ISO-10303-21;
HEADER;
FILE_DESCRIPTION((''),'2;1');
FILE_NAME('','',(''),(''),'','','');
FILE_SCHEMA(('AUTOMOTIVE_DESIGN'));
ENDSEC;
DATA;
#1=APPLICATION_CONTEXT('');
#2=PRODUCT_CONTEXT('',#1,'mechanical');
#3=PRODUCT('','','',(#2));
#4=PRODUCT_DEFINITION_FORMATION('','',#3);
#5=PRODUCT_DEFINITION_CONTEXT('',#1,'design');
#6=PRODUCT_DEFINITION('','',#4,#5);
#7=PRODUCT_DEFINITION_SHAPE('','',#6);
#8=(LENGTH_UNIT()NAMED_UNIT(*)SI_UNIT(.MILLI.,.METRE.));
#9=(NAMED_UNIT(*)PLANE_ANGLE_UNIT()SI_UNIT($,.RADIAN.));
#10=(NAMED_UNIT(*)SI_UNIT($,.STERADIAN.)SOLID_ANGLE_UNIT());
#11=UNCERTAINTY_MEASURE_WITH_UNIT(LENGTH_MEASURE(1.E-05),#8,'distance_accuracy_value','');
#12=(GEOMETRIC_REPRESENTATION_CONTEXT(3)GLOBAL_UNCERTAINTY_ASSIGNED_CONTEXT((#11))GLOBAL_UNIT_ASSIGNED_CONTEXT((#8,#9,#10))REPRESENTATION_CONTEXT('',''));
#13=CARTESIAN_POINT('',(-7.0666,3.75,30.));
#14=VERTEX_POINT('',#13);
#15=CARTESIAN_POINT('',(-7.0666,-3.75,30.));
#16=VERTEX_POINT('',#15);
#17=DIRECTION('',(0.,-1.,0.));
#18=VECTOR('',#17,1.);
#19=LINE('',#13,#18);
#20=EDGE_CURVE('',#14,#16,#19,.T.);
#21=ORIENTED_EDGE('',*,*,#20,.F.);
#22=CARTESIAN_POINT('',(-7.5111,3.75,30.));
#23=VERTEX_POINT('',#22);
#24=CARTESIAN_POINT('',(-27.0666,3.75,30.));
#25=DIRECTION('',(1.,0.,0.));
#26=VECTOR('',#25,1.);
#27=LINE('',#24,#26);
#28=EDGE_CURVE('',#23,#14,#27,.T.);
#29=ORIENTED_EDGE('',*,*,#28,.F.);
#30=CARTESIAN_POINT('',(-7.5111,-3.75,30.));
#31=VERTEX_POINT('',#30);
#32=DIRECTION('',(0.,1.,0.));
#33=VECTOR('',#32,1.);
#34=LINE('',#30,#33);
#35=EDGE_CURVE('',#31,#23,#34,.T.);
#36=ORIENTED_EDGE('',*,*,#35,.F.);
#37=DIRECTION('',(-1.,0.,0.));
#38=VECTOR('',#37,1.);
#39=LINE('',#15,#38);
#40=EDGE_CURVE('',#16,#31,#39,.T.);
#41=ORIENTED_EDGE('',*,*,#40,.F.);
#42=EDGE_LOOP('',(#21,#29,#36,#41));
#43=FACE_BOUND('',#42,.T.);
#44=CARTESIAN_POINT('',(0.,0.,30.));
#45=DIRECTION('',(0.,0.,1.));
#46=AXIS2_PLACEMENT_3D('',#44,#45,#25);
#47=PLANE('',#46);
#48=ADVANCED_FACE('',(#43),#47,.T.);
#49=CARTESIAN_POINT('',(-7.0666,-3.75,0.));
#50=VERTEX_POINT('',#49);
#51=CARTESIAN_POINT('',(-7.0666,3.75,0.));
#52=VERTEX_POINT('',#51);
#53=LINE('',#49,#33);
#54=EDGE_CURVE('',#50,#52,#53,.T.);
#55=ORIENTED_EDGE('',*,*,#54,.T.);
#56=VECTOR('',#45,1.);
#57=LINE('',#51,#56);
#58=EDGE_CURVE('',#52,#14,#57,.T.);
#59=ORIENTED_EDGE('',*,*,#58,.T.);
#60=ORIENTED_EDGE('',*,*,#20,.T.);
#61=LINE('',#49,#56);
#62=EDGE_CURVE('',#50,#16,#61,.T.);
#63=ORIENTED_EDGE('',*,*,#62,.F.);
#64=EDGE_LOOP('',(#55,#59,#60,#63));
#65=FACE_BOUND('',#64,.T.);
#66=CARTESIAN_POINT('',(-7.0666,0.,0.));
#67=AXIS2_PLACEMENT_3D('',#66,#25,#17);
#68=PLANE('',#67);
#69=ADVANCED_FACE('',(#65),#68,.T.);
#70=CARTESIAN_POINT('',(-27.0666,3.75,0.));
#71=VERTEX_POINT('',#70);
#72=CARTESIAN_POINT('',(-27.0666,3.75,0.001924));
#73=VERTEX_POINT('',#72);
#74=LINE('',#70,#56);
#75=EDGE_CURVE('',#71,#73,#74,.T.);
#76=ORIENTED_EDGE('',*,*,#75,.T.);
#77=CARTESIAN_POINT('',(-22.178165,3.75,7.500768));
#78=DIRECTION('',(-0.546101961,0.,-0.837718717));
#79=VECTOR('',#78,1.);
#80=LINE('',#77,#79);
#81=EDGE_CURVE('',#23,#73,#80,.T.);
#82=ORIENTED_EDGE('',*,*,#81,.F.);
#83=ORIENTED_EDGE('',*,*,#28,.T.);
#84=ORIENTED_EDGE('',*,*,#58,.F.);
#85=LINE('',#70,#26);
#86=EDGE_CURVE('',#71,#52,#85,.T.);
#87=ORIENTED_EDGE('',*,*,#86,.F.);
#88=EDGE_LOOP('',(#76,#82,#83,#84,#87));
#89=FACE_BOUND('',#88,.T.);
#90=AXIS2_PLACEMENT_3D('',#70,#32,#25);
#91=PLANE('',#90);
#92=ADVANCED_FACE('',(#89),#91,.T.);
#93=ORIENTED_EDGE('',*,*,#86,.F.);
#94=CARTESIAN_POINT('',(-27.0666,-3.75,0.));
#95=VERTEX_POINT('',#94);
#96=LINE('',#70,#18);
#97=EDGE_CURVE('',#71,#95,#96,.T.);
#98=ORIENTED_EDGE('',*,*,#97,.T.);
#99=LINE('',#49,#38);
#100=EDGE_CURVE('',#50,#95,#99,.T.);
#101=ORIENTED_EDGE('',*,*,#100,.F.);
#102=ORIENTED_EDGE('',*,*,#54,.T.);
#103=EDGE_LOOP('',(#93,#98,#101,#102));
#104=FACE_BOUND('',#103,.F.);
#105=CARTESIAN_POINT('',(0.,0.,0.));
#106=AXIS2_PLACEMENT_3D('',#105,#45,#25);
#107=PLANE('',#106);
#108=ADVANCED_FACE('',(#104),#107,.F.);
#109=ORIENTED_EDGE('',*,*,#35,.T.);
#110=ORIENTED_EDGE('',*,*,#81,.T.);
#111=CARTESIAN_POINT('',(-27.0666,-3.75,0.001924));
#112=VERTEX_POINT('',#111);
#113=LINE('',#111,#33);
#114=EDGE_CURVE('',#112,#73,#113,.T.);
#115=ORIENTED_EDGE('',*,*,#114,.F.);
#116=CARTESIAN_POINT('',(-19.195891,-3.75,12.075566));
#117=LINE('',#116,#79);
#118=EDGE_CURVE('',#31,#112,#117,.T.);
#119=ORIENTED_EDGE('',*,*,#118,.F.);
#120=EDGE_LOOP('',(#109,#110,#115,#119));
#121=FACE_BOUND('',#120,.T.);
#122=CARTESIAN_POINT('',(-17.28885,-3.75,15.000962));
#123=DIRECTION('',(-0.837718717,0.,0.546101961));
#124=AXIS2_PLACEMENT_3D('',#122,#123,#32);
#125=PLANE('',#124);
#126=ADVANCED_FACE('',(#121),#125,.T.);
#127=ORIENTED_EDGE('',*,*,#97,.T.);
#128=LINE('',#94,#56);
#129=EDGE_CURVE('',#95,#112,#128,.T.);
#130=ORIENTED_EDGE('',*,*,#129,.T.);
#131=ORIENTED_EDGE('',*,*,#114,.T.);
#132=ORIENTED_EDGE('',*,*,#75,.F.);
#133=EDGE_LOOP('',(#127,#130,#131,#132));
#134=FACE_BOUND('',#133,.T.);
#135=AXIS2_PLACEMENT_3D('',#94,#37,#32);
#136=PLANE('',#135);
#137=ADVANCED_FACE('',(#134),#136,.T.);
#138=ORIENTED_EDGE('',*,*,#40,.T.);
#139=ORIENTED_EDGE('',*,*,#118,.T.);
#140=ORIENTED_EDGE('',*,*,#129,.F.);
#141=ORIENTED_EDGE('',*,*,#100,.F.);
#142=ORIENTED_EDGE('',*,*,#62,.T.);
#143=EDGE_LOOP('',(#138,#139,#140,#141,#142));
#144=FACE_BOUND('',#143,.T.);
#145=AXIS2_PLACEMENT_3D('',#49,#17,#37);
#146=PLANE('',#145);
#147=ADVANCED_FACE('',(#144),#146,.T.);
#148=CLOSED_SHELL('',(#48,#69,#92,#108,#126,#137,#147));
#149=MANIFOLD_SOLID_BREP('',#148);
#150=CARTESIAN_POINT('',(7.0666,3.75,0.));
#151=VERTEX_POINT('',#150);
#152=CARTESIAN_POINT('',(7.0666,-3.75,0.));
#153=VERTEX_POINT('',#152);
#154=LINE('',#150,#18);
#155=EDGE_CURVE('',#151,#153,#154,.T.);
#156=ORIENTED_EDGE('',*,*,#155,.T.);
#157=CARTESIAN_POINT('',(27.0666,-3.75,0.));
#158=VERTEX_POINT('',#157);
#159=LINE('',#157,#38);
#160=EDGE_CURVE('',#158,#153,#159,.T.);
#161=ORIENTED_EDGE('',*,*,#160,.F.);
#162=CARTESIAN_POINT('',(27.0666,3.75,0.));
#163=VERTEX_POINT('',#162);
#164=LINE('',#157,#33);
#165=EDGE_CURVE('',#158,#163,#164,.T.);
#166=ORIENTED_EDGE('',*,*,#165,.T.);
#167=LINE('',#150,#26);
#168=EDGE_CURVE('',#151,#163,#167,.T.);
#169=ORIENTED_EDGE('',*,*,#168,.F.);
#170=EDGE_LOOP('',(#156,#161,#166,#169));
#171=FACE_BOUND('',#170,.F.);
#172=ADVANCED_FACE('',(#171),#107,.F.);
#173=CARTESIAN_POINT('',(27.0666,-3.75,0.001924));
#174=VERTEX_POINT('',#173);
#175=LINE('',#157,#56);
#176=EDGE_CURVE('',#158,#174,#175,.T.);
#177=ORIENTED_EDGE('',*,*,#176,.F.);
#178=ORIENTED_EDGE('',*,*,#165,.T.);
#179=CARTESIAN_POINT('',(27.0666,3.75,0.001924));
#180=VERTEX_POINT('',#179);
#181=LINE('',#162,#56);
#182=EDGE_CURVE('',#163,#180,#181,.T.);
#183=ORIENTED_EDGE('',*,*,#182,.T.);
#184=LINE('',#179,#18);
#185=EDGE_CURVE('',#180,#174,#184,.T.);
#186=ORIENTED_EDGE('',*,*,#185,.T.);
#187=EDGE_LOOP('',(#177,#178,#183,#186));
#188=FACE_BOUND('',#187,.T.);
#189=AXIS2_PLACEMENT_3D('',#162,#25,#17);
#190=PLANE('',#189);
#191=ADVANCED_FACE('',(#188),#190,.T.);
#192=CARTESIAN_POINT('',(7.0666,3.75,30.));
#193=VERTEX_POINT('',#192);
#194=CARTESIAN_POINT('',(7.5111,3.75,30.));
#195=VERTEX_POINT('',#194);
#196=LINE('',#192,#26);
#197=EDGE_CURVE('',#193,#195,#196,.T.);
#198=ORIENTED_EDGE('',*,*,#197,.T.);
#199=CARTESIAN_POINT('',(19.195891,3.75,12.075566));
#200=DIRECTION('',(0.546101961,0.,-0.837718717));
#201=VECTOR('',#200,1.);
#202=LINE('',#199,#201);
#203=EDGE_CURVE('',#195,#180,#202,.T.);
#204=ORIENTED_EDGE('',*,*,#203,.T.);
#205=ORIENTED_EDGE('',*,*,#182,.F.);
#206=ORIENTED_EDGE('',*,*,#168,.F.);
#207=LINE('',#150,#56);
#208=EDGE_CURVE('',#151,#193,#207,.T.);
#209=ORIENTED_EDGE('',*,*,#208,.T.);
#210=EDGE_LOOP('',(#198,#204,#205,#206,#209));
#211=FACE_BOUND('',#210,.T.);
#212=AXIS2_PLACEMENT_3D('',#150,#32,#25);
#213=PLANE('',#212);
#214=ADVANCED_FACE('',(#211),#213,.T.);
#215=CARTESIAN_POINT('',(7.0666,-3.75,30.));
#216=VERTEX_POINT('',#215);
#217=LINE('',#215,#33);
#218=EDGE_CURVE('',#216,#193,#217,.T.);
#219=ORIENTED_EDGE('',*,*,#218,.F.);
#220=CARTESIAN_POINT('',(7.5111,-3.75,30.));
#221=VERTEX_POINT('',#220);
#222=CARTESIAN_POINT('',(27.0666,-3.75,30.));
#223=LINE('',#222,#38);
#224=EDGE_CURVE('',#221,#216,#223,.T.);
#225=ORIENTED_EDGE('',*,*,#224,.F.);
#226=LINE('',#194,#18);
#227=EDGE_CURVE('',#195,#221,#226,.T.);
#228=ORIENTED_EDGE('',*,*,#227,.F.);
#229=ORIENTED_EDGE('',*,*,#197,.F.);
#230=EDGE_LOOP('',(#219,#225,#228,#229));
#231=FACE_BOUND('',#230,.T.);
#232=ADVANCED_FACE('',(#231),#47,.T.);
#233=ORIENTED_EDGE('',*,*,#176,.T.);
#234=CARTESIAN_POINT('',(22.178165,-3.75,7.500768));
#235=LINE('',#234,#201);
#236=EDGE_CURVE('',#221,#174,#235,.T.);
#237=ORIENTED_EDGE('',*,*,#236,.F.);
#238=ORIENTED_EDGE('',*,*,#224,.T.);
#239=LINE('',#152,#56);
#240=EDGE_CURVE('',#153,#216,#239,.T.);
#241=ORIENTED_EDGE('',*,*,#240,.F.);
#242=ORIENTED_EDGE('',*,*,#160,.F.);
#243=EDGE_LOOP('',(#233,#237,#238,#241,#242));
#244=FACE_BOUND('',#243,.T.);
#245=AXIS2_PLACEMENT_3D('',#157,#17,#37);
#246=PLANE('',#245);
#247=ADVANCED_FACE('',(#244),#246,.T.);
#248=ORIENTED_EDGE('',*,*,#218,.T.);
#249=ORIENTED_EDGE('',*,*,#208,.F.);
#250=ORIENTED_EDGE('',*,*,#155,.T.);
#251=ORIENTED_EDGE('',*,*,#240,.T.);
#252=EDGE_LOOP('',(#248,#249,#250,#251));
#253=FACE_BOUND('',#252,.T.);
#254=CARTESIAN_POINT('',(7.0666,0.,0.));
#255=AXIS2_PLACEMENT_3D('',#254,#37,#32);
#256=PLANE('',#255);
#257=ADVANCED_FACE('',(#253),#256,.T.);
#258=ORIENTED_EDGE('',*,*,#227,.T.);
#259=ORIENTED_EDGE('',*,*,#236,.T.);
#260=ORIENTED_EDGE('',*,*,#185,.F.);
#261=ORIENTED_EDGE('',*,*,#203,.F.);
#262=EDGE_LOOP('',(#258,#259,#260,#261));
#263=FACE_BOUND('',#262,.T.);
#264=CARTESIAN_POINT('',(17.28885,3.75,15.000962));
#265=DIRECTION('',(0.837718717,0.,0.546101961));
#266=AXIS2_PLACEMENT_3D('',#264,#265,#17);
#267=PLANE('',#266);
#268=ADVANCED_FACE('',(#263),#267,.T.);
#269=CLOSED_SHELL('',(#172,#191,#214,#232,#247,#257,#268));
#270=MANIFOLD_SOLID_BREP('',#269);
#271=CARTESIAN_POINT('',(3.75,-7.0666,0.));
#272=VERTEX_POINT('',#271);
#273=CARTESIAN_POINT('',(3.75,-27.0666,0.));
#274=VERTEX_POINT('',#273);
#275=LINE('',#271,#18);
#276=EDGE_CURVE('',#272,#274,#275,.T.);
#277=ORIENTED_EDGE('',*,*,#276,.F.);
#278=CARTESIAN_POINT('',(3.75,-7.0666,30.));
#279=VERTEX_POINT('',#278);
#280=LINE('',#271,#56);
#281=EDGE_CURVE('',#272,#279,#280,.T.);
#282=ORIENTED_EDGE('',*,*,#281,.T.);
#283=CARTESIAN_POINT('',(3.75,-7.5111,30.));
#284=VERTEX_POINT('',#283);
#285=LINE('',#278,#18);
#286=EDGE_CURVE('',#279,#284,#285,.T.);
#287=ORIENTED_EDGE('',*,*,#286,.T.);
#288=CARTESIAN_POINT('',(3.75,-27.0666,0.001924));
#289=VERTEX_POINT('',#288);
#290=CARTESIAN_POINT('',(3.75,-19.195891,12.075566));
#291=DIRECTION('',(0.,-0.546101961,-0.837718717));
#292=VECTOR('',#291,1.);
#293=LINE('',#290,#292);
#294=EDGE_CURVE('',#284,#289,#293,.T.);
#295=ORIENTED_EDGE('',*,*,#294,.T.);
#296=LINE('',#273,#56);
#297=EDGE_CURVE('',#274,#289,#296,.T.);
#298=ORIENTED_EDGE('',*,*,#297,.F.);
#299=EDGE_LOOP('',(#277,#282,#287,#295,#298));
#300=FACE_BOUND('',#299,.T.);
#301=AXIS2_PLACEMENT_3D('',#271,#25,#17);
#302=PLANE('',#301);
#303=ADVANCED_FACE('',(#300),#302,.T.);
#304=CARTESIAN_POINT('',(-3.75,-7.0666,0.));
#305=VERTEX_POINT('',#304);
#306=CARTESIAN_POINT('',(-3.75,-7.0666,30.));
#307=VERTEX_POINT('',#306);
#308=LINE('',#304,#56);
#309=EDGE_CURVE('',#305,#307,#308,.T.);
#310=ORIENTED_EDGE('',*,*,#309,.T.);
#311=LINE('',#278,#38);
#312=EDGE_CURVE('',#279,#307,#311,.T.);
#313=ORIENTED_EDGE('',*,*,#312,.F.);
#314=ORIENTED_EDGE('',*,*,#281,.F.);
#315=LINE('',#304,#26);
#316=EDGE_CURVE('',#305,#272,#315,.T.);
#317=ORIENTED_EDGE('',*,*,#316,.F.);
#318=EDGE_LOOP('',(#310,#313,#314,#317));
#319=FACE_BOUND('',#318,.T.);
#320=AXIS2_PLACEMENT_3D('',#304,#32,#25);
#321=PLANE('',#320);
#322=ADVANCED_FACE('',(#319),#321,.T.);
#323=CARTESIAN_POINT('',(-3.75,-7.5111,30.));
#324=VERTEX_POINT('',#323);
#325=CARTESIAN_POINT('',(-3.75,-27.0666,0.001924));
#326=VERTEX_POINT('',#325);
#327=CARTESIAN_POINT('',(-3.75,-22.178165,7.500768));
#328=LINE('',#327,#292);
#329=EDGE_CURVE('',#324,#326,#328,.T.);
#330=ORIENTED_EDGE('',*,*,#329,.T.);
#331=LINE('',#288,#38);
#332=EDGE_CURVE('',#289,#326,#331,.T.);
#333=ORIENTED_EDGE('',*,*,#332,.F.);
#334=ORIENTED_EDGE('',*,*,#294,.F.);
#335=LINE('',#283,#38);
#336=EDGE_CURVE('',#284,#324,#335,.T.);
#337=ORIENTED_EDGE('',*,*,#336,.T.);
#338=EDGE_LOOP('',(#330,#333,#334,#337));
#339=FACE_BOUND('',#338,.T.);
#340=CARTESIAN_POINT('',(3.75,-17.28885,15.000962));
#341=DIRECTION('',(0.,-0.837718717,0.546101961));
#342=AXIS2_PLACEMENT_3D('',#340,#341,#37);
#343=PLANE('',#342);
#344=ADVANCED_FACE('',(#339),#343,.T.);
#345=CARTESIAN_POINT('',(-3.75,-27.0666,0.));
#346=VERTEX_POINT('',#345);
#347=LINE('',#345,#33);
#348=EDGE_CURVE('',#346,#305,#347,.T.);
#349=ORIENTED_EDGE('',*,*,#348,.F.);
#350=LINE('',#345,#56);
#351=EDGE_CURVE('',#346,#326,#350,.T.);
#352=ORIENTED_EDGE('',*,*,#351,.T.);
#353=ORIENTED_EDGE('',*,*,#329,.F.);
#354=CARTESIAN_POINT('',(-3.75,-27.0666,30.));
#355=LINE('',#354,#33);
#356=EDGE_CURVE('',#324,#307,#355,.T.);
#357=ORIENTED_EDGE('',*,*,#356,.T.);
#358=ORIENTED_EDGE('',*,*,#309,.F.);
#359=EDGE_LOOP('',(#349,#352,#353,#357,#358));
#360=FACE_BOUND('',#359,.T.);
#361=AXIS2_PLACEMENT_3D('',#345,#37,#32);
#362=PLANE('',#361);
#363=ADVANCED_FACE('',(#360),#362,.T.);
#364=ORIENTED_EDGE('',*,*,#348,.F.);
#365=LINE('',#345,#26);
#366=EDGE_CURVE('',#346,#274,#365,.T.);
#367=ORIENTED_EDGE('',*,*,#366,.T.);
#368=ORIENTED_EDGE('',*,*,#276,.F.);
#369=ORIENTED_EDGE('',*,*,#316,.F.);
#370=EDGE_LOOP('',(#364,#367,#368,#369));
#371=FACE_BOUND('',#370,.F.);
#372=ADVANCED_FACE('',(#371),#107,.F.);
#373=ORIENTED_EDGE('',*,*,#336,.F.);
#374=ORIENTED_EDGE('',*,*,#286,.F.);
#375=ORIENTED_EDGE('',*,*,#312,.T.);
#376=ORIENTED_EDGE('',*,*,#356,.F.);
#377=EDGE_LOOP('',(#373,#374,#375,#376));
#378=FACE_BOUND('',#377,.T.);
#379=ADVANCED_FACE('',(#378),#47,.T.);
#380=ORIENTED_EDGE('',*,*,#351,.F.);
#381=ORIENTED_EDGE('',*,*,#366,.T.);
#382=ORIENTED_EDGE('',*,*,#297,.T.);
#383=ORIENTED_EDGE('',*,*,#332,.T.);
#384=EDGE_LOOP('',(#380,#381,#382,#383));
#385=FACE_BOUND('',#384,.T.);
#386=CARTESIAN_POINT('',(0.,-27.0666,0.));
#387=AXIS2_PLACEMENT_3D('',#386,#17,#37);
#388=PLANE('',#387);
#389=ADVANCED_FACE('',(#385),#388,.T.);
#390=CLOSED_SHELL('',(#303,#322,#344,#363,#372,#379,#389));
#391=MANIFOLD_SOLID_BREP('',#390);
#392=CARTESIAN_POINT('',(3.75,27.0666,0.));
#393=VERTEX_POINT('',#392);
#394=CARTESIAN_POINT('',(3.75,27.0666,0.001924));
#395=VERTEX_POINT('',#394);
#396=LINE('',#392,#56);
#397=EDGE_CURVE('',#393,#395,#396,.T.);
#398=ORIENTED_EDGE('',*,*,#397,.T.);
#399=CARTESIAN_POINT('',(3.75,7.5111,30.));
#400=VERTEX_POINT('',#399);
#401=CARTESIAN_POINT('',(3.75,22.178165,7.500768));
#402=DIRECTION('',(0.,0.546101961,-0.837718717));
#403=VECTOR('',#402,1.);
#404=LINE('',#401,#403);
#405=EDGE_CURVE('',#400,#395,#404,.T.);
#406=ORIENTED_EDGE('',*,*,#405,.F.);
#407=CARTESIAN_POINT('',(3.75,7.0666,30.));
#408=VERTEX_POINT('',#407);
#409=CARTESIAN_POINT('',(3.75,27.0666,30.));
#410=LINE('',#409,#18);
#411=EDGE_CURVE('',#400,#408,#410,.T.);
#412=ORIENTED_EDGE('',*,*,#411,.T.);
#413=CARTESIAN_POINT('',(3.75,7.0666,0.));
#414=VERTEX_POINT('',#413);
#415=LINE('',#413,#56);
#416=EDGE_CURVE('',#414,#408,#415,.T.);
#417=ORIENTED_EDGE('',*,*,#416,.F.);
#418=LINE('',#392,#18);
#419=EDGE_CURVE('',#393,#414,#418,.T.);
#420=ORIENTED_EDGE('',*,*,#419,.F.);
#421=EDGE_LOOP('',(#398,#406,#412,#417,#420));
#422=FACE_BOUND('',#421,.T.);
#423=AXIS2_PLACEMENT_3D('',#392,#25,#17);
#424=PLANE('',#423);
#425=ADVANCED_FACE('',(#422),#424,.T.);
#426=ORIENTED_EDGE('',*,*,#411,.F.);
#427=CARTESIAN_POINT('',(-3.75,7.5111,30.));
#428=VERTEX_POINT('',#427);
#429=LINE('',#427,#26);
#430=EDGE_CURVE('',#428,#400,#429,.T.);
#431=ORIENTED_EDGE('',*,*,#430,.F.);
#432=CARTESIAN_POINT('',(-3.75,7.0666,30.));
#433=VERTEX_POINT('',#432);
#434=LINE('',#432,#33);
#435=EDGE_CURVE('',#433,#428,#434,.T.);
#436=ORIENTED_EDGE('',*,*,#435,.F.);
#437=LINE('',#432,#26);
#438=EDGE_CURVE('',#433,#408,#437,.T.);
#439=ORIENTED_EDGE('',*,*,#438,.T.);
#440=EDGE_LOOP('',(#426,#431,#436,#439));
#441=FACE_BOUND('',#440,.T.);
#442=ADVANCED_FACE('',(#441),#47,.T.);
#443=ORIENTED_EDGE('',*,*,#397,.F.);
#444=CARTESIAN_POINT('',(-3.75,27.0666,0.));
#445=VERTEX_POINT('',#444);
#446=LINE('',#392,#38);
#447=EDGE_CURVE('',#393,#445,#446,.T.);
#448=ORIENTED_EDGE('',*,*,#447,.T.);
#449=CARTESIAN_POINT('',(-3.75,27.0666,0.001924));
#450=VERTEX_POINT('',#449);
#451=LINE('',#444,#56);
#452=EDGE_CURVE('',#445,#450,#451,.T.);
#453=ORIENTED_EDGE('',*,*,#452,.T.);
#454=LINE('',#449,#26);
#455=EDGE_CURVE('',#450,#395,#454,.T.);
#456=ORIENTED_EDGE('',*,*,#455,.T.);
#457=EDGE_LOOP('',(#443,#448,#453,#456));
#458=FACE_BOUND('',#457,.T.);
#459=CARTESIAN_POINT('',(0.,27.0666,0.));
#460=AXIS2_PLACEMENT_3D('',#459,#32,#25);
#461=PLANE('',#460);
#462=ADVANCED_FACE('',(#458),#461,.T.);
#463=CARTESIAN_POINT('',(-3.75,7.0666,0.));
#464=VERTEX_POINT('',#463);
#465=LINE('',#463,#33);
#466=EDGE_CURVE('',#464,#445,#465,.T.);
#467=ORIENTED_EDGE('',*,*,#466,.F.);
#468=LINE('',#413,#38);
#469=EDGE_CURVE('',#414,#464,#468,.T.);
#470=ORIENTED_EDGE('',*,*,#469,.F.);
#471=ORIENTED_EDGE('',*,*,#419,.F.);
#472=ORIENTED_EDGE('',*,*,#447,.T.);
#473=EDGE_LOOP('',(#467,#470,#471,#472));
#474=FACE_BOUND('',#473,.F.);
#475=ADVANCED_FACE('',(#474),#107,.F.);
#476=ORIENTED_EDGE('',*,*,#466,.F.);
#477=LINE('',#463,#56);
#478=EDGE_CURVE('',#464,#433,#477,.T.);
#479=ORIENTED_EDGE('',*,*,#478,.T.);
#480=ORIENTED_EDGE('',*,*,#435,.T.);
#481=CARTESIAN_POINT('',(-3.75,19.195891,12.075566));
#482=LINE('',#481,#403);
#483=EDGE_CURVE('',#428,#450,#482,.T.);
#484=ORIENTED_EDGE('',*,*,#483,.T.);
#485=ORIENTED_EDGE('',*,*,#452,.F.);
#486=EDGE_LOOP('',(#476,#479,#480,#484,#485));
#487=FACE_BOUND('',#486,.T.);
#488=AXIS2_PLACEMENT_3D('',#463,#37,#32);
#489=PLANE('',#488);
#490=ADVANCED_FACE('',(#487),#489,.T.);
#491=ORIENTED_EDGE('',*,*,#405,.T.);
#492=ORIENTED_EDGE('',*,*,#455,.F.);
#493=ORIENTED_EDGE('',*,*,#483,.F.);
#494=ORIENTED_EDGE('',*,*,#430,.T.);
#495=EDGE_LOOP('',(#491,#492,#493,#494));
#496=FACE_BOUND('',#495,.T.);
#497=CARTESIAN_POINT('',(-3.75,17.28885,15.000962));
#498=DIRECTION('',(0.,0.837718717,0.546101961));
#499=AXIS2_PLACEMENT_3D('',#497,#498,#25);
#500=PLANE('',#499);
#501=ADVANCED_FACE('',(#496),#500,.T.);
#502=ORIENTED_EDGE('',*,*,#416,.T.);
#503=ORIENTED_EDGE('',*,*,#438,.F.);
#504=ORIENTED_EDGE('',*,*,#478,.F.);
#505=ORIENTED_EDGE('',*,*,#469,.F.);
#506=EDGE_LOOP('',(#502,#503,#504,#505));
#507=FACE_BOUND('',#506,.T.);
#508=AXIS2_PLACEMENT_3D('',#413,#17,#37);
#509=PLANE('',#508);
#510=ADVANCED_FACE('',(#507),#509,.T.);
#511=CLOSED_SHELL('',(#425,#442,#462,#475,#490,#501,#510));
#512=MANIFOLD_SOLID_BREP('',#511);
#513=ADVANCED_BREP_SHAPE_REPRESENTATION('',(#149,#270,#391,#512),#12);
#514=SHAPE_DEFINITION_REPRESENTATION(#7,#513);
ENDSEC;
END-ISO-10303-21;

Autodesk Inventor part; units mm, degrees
ref_plane "YZ Plane" through (0, 0, 0) normal (1, 0, 0) x (0, 1, 0)
ref_plane "XZ Plane" through (0, 0, 0) normal (0, 1, 0) x (-1, 0, 0)
ref_plane "XY Plane" through (0, 0, 0) normal (0, 0, 1) x (1, 0, 0)
sketch "Sketch1" plane through (0, 0, 0) normal (0, 0, 1) x (1, 0, 0)
  line L0 (40, 40) -> (40, -40) projected
  line L1 (-40, 40) -> (40, 40) projected
  line L2 (-40, -40) -> (-40, 40) projected
  line L3 (40, -40) -> (-40, -40) projected
  circle A0 centre (35, 35) radius 1.65 projected
  circle A1 centre (35, -35) radius 1.65 projected
  circle A2 centre (-35, -35) radius 1.65 projected
  circle A3 centre (-35, 35) radius 1.65 projected
  line L4 (0, -56) -> (0, 56)
  circle A4 centre (0, 0) radius 8 projected
  line L5 (-3.75, 27.0666) -> (3.75, 27.0666)
  line L6 (3.75, 27.0666) -> (3.75, 7.0666)
  line L7 (3.75, 7.0666) -> (-3.75, 7.0666)
  line L8 (-3.75, 7.0666) -> (-3.75, 27.0666)
  line L9 (-3.75, -7.0666) -> (3.75, -7.0666)
  line L10 (3.75, -7.0666) -> (3.75, -27.0666)
  line L11 (3.75, -27.0666) -> (-3.75, -27.0666)
  line L12 (-3.75, -27.0666) -> (-3.75, -7.0666)
  line L13 (-27.0666, 3.75) -> (-7.0666, 3.75)
  line L14 (-7.0666, 3.75) -> (-7.0666, -3.75)
  line L15 (-7.0666, -3.75) -> (-27.0666, -3.75)
  line L16 (-27.0666, -3.75) -> (-27.0666, 3.75)
  line L17 (7.0666, 3.75) -> (27.0666, 3.75)
  line L18 (27.0666, 3.75) -> (27.0666, -3.75)
  line L19 (27.0666, -3.75) -> (7.0666, -3.75)
  line L20 (7.0666, -3.75) -> (7.0666, 3.75)
  line L21 (-56, 0) -> (56, 0)
  point P0 (0, 0)
  dimension "d0" = 20
  dimension "d1" = 7.5
  dimension "d2" = 3.75
  dimension "d3" = 20
  dimension "d4" = 7.5
  dimension "d9" = 3.75
  dimension "d10" = 7.5
  dimension "d11" = 20
  dimension "d12" = 20
  dimension "d13" = 7.5
  dimension "d14" = 3.75
extrude "Extrusion1" add sketch "Sketch1" along normal blind 30 contours L21 A4 L17 L18 | L18 L19 A4 L21 | L5 L6 A4 L4 | L4 A4 L8 L5 | L21 L20 A4 | A4 L20 L21 | A4 L7 L4 | L4 L7 A4 | L11 L12 A4 L4 | L4 A4 L10 L11 | L21 A4 L15 L16 | L16 L13 A4 L21 | A4 L9 L4 | L4 L9 A4 | L21 L14 A4 | A4 L14 L21
chamfer "Chamfer1" distance 19.5555 angle 56.9 1 edges at (0, 27.0666, 30) measured on face at (-1.25, 20.4, 30)
chamfer "Chamfer2" distance 19.5555 angle 56.9 1 edges at (27.0666, 0, 30) measured on face at (13.7333, 1.25, 30)
chamfer "Chamfer3" distance 19.5555 angle 56.9 1 edges at (-27.0666, 0, 30) measured on face at (-20.4, 1.25, 30)
chamfer "Chamfer4" distance 19.5555 angle 56.9 1 edges at (0, -27.0666, 30) measured on face at (-1.25, -13.7333, 30)
equation "\"d2\" = 0.5 * d1"
equation "\"d3\" = d0"
equation "\"d4\" = d1"
equation "\"d9\" = d2"
equation "\"d10\" = d1"
equation "\"d11\" = d0"
equation "\"d12\" = d0"
equation "\"d13\" = d1"
equation "\"d14\" = d2"
properties part number "pilling"
